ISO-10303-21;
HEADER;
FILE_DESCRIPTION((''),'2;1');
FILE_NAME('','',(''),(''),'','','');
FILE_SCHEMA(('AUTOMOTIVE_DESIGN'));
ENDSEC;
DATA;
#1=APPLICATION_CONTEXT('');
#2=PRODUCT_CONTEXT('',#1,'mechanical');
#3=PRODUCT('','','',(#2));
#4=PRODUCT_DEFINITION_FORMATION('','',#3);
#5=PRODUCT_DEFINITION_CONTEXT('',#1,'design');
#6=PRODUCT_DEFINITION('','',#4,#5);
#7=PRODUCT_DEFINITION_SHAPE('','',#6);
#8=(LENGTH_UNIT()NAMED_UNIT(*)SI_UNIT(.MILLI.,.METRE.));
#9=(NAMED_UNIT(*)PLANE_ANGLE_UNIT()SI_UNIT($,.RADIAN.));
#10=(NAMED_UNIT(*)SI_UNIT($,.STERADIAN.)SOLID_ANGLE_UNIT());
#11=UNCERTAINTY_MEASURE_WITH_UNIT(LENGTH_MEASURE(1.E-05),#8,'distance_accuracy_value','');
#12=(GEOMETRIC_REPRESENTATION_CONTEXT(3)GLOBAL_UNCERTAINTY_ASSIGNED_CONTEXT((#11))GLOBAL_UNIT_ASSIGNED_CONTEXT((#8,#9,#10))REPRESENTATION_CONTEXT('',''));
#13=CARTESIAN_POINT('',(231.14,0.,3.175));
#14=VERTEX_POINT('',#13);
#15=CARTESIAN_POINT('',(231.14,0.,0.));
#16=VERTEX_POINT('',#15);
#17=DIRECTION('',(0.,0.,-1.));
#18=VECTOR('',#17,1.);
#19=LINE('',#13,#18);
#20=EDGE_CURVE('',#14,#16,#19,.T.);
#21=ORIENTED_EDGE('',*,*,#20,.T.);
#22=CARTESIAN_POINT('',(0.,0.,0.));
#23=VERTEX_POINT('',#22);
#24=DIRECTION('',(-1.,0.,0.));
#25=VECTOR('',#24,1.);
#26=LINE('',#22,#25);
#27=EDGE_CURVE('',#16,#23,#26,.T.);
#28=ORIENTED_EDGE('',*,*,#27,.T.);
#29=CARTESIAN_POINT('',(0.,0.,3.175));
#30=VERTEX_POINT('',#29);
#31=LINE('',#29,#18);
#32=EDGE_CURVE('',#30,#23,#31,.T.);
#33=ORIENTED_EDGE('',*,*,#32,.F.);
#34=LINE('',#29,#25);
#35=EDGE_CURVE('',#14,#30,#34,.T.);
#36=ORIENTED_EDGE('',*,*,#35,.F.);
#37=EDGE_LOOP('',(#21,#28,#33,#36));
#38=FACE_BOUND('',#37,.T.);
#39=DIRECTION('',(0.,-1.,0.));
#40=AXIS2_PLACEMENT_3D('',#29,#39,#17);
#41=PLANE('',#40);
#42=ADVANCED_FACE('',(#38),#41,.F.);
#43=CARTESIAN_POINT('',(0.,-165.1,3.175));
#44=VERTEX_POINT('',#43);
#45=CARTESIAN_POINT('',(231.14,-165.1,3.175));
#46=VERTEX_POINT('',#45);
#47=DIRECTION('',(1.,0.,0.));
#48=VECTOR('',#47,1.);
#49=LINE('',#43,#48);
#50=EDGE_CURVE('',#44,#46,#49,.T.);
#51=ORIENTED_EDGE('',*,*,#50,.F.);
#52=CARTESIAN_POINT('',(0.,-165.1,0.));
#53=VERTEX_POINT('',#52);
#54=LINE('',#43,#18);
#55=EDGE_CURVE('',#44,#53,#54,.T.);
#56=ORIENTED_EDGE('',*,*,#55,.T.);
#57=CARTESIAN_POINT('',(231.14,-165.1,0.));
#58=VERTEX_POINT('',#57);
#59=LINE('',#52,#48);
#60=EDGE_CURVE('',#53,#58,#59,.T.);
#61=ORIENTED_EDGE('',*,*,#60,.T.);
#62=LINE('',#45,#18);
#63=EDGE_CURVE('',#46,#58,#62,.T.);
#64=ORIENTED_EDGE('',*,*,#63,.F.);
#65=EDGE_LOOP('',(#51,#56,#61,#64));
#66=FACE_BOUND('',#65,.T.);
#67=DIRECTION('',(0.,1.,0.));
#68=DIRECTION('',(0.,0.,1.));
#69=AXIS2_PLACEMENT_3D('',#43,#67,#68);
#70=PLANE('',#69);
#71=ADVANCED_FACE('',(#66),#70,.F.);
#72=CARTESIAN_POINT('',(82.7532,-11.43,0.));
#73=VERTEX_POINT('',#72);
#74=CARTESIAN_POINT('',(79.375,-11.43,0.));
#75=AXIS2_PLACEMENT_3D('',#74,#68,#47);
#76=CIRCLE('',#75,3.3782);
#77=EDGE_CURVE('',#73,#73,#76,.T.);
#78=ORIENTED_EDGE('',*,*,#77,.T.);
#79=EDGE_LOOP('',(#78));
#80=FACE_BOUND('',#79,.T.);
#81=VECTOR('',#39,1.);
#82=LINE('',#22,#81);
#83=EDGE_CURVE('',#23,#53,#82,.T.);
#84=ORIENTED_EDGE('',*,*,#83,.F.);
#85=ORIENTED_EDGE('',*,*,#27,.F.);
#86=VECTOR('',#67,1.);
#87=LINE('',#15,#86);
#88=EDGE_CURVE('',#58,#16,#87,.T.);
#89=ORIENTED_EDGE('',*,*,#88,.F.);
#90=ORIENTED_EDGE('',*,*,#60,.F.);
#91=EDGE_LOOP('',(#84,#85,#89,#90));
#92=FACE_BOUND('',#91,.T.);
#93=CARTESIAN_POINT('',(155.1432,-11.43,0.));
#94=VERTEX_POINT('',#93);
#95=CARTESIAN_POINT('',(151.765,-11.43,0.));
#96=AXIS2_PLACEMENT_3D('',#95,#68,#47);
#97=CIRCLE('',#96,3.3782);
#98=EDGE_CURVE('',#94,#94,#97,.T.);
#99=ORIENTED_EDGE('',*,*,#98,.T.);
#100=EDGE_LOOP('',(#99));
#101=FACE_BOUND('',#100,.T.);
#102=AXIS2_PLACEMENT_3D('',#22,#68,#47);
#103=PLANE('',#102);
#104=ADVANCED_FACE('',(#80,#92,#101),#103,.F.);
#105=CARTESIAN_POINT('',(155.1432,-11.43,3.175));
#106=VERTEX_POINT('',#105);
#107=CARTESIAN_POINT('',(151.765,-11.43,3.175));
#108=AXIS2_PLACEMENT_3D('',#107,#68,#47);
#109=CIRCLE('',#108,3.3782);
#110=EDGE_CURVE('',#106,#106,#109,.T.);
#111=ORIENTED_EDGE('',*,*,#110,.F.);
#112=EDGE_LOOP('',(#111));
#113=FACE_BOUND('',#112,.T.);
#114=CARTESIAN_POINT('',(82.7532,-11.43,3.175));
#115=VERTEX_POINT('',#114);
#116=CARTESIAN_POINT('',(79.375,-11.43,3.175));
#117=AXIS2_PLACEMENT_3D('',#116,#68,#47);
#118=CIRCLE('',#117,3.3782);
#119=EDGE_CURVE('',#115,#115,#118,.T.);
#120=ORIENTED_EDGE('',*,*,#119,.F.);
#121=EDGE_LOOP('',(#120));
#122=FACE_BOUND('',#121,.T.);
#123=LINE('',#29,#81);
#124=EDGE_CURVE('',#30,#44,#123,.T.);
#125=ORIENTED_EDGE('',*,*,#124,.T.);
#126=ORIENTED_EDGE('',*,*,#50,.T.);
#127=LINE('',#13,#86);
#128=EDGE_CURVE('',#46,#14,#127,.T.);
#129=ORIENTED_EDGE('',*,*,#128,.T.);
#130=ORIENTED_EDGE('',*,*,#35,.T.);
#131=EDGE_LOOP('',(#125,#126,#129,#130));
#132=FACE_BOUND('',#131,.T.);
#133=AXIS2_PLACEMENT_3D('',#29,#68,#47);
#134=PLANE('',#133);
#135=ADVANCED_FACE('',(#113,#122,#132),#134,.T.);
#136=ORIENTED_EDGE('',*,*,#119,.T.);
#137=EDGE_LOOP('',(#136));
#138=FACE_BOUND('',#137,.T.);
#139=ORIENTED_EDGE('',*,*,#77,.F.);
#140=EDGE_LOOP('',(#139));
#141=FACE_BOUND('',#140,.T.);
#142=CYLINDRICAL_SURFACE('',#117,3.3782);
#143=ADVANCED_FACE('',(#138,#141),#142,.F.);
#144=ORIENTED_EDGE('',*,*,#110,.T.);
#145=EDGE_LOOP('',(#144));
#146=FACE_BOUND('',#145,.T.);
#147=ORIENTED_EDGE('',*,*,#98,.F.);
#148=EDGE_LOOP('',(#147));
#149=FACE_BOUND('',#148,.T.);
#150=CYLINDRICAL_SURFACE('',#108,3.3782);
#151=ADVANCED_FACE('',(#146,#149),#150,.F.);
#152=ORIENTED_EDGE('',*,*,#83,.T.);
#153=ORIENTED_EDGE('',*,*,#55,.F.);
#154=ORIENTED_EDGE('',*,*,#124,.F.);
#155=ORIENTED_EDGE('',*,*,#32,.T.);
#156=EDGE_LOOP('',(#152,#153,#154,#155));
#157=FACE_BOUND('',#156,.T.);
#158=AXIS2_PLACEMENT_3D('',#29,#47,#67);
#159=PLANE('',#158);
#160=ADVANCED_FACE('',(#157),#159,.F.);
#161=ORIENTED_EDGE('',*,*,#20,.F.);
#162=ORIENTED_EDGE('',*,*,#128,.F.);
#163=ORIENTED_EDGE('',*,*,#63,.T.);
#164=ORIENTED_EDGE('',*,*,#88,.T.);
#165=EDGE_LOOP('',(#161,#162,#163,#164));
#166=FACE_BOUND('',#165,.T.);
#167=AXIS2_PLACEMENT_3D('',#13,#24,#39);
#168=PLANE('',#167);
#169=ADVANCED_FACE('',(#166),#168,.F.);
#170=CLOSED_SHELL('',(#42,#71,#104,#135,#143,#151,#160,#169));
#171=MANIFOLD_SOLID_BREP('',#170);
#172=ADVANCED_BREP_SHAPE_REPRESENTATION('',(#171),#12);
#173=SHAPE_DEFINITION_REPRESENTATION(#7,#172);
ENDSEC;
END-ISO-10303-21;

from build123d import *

# Parameters (mm, degrees)
SKETCH1_W               = 231.14
SKETCH1_H               = 165.1
BOSS_EXTRUDE1_DEPTH     = 3.175
F_1_4_CLEARANCE_HOLE1_D = 6.7564


with BuildPart() as part:
    # Sketch1 → Boss-Extrude1 (new body)
    with BuildSketch(Plane.XY):
        with Locations((115.57, -82.55)):
            Rectangle(SKETCH1_W, SKETCH1_H)
    extrude(amount=BOSS_EXTRUDE1_DEPTH)

    # 1/4 Clearance Hole1 (through all)
    with Locations(Plane.XY.offset(3.175)):
        with Locations((79.375, -11.43), (151.765, -11.43)):
            Hole(F_1_4_CLEARANCE_HOLE1_D / 2)


solid = part.part
